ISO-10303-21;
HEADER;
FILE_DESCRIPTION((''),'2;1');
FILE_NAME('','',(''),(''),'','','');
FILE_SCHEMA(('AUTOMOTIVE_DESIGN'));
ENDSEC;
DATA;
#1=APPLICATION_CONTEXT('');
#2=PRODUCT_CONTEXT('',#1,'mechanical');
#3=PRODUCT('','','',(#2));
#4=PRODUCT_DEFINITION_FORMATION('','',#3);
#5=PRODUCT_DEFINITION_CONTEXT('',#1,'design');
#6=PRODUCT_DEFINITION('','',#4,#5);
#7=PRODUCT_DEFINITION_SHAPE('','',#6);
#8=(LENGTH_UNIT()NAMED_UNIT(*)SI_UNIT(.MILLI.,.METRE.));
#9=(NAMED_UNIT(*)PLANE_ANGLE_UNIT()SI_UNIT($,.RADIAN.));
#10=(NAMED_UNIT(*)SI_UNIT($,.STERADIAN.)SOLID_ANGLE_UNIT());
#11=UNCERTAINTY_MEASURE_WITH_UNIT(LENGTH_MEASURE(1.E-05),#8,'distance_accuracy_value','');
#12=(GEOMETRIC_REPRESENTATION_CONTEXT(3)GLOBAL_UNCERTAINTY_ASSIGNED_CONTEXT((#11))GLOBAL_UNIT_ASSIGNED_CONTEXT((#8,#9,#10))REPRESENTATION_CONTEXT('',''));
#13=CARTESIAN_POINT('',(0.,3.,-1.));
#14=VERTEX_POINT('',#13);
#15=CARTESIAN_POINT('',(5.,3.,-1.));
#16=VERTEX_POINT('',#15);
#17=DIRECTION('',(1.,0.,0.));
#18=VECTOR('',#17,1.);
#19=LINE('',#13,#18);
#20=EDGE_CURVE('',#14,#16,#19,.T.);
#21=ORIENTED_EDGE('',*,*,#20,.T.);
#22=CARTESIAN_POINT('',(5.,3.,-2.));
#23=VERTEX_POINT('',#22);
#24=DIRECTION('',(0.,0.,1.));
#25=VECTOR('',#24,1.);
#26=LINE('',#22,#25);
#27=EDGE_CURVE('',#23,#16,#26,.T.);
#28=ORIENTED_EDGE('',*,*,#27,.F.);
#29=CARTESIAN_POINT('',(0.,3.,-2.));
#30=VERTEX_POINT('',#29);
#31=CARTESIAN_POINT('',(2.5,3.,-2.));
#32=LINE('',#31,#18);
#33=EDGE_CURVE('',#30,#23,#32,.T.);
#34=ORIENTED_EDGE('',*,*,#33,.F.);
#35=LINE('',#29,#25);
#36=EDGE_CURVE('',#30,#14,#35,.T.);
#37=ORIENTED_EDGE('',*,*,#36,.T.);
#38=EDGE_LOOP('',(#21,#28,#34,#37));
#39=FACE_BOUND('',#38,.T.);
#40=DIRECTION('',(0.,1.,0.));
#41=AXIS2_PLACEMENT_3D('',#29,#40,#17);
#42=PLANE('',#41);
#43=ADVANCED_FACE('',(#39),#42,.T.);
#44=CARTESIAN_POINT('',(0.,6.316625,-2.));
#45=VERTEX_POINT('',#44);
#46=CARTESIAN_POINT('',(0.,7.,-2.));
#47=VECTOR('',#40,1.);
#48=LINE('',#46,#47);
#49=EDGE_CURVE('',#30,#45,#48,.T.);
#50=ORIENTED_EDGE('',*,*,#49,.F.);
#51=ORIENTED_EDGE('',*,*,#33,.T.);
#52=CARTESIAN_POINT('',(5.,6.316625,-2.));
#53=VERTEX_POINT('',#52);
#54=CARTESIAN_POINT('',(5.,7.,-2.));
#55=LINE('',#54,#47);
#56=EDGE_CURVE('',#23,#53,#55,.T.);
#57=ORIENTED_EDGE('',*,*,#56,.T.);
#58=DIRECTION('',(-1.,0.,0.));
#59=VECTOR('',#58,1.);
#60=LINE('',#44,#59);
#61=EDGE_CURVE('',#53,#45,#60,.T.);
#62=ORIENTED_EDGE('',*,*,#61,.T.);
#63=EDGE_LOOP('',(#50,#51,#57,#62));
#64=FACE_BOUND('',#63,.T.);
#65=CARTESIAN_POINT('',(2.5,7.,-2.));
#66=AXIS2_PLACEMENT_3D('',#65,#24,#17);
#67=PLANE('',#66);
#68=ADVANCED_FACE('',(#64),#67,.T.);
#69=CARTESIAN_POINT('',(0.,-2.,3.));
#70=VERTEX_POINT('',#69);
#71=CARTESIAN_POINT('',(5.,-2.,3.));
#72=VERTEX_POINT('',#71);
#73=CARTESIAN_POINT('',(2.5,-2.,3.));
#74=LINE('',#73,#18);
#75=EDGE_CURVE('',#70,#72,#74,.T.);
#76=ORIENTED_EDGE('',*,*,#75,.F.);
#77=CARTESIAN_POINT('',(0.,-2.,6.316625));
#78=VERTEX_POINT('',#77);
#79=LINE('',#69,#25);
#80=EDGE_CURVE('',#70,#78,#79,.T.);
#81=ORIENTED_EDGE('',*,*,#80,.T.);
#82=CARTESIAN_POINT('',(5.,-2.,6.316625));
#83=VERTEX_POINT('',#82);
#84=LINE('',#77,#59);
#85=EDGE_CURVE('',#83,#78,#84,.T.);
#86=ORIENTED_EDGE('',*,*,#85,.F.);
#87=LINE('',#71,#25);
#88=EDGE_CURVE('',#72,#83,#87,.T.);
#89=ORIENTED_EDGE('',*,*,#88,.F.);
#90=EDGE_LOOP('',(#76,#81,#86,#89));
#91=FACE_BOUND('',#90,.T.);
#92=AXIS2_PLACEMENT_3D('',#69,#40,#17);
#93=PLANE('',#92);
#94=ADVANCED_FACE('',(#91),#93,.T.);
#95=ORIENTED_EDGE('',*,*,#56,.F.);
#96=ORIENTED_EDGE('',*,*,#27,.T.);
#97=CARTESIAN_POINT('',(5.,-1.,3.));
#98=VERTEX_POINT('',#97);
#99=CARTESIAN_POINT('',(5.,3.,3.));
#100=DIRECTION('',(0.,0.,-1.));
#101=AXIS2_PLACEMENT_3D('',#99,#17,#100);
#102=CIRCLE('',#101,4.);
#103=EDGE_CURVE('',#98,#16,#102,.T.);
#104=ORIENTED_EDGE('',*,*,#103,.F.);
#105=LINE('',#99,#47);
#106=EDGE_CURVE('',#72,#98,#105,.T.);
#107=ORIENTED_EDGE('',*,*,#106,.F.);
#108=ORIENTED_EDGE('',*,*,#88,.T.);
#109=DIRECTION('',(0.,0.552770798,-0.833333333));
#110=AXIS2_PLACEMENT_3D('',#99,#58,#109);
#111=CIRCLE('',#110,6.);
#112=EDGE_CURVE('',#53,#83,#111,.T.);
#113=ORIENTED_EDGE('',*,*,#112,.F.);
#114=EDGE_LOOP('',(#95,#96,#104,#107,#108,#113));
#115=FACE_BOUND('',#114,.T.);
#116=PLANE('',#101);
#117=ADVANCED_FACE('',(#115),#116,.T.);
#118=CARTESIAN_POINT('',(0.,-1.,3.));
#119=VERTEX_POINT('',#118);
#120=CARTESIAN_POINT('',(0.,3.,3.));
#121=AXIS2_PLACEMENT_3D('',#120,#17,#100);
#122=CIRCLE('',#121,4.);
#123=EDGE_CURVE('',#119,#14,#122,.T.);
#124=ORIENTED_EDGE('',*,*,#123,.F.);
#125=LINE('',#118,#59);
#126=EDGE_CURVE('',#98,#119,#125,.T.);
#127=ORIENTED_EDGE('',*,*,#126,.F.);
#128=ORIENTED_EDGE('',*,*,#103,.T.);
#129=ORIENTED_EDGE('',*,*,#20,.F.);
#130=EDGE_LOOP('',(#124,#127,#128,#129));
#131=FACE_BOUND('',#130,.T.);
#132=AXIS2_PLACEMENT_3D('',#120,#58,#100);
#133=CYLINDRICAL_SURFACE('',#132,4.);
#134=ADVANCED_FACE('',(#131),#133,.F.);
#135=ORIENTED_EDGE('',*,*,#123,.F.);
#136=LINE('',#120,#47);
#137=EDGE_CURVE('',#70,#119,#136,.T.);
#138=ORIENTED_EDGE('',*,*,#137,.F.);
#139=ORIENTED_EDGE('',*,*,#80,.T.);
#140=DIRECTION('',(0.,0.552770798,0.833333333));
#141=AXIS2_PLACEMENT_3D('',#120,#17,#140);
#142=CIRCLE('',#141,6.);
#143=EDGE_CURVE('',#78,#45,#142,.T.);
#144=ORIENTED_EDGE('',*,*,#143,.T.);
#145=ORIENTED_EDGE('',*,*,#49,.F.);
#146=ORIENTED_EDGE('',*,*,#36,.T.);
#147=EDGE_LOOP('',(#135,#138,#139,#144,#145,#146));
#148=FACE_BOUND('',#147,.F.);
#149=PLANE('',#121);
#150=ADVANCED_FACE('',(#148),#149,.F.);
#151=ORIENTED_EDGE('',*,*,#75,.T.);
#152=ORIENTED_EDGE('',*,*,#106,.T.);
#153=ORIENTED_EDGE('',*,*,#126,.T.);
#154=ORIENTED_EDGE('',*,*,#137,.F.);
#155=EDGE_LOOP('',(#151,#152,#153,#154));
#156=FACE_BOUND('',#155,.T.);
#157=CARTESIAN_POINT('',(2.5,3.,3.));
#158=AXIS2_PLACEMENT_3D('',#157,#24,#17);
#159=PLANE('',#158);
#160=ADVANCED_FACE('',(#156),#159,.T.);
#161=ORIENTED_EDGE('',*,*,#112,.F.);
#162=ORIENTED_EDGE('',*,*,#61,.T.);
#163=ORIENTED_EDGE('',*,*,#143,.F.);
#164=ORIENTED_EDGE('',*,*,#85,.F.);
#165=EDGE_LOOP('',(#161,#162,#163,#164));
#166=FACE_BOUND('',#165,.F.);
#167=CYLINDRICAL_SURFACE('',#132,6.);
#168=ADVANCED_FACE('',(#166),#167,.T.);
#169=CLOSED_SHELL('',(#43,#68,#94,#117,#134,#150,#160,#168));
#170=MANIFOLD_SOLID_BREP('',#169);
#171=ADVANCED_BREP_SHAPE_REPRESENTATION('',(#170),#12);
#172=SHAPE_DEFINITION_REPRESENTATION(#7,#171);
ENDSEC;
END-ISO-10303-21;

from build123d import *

# Parameters (mm, degrees)
BOX024_W      = 5
BOX024_H      = 10
BOX024_DEPTH  = 8
BOX023_W      = 5
BOX023_H      = 8
BOX023_DEPTH  = 10
TUBE009_R     = 6
TUBE009_R_2   = 4
TUBE009_DEPTH = 5


with BuildPart() as cube024:
    # Box024 → Box024 (new body)
    with BuildSketch(Plane(origin=(0, -2, 3), x_dir=(1, 0, 0), z_dir=(0, 0, 1))):
        with Locations((2.5, 5)):
            Rectangle(BOX024_W, BOX024_H)
    extrude(amount=BOX024_DEPTH)


with BuildPart() as cube023:
    # Box023 → Box023 (new body)
    with BuildSketch(Plane(origin=(0, 3, -2), x_dir=(1, 0, 0), z_dir=(0, 0, 1))):
        with Locations((2.5, 4)):
            Rectangle(BOX023_W, BOX023_H)
    extrude(amount=BOX023_DEPTH)


with BuildPart() as cut028:
    # Tube009 → Tube009 (new body)
    with BuildSketch(Plane(origin=(0, 3, 3), x_dir=(0, 0, -1), z_dir=(1, 0, 0))):
        Circle(TUBE009_R)
        Circle(TUBE009_R_2, mode=Mode.SUBTRACT)
    extrude(amount=TUBE009_DEPTH)

    # Cut027: cut Cube023
    add(cube023.part, mode=Mode.SUBTRACT)

    # Cut028: cut Cube024
    add(cube024.part, mode=Mode.SUBTRACT)


solid = cut028.part
